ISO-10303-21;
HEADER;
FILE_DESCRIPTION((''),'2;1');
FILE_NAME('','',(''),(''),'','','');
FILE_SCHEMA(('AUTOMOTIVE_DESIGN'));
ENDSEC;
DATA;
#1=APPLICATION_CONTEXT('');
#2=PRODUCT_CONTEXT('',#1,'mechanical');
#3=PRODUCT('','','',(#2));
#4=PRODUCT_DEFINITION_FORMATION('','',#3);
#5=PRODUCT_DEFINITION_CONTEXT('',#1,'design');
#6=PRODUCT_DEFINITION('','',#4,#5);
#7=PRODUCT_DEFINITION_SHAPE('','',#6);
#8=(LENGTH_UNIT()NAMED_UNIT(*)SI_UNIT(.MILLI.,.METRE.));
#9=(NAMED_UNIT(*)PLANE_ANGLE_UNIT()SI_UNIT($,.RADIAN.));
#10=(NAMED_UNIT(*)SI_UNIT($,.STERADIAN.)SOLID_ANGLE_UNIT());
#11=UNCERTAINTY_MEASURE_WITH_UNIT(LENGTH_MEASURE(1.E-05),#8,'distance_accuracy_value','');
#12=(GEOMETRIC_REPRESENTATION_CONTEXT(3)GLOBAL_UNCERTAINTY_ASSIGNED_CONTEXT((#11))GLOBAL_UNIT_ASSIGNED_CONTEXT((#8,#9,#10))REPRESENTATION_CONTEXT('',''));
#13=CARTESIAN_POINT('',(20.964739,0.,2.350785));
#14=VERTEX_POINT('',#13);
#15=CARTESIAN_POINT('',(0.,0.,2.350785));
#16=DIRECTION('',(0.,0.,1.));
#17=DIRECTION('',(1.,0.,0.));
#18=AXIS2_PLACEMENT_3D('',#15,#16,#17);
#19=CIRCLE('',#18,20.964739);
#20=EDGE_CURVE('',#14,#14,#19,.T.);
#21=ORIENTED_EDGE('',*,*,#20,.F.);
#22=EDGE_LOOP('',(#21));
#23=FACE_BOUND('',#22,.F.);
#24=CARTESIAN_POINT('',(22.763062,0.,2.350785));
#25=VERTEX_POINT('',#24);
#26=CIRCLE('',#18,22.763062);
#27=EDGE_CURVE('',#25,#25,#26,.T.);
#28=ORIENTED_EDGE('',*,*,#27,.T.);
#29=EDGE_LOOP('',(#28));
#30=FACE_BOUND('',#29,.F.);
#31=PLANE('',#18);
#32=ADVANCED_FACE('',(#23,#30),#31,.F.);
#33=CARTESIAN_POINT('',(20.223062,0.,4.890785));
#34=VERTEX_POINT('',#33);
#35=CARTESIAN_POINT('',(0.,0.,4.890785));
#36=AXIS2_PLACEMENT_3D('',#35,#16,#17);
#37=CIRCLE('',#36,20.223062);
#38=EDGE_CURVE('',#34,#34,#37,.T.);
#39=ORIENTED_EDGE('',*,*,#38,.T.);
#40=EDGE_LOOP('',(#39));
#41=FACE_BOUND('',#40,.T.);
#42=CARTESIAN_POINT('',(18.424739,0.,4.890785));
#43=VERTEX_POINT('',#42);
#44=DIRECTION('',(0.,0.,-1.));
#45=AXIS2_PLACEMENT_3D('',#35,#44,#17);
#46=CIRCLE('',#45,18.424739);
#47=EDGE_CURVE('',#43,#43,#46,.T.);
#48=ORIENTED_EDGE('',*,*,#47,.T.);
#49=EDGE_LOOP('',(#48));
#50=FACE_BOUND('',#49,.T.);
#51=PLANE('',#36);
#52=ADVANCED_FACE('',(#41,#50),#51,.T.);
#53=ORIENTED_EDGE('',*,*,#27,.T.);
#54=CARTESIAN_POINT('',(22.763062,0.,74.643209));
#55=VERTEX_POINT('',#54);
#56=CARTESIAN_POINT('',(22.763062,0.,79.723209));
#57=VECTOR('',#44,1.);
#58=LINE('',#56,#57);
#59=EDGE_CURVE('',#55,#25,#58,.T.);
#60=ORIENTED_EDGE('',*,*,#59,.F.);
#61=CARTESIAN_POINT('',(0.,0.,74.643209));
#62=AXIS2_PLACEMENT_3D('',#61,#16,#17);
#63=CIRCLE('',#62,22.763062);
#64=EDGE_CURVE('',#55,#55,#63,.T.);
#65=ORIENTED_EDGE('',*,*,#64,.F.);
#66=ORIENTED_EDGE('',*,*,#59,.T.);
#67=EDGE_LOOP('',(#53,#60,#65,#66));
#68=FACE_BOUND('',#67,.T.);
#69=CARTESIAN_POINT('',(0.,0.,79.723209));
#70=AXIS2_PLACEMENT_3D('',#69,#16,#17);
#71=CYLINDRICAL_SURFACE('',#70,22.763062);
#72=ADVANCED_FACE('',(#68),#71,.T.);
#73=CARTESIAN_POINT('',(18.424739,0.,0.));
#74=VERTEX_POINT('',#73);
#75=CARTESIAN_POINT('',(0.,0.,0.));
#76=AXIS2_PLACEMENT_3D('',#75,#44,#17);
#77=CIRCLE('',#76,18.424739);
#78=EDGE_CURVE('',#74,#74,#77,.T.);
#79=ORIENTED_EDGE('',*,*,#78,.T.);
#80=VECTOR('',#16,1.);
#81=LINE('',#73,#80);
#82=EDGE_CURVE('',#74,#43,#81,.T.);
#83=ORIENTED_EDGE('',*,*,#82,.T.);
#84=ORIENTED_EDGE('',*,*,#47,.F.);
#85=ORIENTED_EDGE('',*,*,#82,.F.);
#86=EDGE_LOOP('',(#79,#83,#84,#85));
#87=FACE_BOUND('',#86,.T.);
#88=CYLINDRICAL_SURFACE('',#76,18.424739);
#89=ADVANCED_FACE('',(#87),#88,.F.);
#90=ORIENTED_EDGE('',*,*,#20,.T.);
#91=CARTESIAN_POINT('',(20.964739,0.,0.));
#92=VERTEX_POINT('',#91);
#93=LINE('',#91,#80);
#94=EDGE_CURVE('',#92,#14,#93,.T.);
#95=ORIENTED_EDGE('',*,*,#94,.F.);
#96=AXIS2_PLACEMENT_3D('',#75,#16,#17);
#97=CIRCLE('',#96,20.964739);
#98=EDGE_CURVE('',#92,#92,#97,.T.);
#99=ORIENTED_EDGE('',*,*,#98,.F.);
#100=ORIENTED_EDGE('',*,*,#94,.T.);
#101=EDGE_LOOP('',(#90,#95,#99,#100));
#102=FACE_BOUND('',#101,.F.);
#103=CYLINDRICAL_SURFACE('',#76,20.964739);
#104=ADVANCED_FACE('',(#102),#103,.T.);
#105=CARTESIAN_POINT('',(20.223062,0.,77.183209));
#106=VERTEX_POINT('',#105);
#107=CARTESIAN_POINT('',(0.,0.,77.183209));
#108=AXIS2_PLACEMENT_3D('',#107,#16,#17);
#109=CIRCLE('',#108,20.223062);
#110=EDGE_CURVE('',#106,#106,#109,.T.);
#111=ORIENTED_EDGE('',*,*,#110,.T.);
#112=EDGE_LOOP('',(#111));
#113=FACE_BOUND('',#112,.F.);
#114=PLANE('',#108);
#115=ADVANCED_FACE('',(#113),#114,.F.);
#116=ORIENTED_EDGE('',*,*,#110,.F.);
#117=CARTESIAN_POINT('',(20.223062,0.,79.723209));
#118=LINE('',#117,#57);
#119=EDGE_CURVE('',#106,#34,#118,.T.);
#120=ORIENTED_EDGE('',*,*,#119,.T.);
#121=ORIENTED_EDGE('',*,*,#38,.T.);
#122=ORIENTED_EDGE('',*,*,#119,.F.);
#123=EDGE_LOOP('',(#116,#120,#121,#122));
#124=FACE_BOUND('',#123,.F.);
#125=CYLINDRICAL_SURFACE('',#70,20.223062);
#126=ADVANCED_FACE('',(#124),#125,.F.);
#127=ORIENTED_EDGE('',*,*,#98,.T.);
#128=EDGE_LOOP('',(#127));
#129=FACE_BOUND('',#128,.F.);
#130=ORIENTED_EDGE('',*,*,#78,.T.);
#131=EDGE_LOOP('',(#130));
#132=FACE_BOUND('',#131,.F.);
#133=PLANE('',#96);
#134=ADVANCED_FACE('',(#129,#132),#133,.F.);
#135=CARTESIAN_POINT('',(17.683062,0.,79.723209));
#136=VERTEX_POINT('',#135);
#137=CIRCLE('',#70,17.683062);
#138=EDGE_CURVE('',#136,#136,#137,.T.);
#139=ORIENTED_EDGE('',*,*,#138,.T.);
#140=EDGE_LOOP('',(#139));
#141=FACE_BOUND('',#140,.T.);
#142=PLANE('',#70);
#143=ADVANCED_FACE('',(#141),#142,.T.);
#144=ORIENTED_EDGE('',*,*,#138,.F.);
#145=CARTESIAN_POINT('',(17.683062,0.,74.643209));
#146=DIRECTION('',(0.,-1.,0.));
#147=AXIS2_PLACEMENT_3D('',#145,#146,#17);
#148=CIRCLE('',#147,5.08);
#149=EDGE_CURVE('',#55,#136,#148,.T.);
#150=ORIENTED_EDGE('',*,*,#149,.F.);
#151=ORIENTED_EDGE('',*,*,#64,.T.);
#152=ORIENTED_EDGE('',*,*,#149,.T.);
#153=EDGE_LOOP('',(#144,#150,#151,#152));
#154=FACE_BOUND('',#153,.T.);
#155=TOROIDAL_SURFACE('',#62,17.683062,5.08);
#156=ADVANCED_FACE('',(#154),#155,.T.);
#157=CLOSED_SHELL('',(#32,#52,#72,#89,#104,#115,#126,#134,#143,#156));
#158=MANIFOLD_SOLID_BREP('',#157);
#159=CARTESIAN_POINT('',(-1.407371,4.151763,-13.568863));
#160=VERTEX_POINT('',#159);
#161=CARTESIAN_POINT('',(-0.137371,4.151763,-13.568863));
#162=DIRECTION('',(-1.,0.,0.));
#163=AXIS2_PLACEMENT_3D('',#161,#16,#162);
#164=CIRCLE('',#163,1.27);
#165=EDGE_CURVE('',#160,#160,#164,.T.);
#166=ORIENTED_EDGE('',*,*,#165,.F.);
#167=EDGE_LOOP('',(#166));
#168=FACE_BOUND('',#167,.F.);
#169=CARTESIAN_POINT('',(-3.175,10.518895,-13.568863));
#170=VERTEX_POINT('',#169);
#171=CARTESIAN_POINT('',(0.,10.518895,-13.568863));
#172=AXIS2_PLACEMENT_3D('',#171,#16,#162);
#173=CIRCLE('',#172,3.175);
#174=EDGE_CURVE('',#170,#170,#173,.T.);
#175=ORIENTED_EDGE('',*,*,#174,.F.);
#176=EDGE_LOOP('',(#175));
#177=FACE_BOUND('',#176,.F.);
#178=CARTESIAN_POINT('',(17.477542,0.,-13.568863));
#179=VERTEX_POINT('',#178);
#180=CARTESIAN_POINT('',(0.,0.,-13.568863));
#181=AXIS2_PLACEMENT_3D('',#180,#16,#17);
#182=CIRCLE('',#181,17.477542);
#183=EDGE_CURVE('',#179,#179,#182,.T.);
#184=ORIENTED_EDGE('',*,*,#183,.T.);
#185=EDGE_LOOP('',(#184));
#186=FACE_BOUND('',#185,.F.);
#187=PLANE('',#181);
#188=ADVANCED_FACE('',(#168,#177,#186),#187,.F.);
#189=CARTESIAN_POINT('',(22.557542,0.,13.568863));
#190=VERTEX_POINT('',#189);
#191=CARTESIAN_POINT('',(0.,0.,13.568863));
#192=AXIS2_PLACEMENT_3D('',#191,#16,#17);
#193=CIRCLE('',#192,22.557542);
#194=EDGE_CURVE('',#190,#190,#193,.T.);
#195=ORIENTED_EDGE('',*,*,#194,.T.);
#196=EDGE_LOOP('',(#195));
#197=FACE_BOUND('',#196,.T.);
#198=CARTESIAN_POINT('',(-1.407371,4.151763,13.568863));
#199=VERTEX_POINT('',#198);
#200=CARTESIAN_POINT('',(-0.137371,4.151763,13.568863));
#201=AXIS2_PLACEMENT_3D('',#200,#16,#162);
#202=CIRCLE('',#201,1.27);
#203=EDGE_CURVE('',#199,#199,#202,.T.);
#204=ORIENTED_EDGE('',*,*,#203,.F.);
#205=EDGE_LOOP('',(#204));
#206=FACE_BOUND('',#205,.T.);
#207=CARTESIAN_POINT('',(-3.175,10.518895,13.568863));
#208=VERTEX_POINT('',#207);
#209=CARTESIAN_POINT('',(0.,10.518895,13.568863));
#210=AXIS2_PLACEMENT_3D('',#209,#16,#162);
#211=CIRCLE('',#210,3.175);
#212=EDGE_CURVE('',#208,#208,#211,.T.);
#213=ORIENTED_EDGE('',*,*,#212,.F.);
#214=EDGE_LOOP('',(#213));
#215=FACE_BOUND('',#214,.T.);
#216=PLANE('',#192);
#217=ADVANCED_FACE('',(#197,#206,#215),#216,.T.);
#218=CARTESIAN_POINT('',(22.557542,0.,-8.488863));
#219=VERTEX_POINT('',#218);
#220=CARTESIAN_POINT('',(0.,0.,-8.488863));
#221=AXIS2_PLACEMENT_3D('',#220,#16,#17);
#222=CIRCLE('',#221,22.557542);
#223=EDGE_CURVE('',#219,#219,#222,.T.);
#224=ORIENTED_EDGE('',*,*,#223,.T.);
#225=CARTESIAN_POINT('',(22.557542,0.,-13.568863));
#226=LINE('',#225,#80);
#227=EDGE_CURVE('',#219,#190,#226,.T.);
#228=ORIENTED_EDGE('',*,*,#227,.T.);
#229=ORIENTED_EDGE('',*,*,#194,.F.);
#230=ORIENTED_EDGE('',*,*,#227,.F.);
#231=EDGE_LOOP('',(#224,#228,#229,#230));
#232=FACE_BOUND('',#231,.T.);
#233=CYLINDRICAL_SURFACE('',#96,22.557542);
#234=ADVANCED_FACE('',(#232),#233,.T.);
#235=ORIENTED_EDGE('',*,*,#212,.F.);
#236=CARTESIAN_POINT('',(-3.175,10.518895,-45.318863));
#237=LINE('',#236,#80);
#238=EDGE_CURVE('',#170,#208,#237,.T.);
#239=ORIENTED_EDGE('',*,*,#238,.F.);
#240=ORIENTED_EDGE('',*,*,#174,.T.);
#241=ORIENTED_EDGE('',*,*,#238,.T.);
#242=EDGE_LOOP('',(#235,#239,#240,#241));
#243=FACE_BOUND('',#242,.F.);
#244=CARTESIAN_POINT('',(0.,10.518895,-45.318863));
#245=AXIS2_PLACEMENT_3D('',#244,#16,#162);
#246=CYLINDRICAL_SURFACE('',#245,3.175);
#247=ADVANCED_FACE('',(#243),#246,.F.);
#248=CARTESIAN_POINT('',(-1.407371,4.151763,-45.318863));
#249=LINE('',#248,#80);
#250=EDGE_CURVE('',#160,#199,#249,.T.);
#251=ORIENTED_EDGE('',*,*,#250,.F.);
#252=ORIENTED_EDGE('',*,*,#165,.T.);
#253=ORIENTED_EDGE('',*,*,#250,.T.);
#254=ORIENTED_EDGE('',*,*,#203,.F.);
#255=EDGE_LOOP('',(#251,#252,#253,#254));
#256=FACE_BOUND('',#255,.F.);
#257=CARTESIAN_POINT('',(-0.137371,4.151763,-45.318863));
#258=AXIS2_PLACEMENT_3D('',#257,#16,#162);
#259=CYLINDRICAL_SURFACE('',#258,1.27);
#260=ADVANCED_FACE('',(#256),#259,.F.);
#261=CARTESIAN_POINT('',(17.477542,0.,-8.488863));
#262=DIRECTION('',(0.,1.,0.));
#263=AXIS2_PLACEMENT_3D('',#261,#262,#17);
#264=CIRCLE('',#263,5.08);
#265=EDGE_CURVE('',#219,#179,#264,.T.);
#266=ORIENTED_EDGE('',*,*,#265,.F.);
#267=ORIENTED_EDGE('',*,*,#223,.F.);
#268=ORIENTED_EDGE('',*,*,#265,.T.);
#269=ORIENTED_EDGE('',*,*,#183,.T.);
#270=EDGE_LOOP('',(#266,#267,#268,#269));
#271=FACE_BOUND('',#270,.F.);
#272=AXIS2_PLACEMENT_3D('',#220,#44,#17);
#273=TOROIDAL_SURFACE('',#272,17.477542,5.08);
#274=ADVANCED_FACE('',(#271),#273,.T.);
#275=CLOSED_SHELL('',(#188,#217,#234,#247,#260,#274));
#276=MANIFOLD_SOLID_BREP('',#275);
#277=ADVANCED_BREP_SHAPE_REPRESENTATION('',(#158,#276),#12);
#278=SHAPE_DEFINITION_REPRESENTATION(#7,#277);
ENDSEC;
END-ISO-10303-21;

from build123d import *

# Parameters (mm, degrees)
F0_R      = 20.9647391965
F1_DEPTH  = 79.7232091427
F2_R      = 22.7630616111
F2_R_2    = 20.9647391965
F3_DEPTH  = 77.3724243045
F4_T      = -2.54
F5_R      = 5.08
F6_R      = 22.5575417357
F7_DEPTH  = 13.5688632727
F9_D      = 6.35
F9_DEPTH  = 31.75
F9_TIP    = 1.9077324654
F10_R     = 5.08
F12_D     = 2.54
F12_DEPTH = 31.75
F12_TIP   = 0.7630929862


with BuildPart() as f1:
    # F0 (on Top) → F1 (new body)
    with BuildSketch(Plane.XY):
        Circle(F0_R)
    extrude(amount=F1_DEPTH)

    # F2 (on face) → F3 (join)
    with BuildSketch(Plane.XY.offset(79.7232091427)):
        Circle(F2_R)
        Circle(F2_R_2, mode=Mode.SUBTRACT)
    extrude(amount=-F3_DEPTH)

    # F4
    f4_openings = [f1.faces().sort_by_distance(p)[0] for p in [
        (0, 0, 0),
    ]]
    offset(amount=F4_T, openings=f4_openings, kind=Kind.INTERSECTION)

    # F5
    f5_edges = [f1.edges().sort_by_distance(p)[0] for p in [
        (-22.763062, 0, 79.723209),
    ]]
    fillet(f5_edges, radius=F5_R)


with BuildPart() as f7:
    # F6 (on Top) → F7 (new body, symmetric)
    with BuildSketch(Plane.XY):
        Circle(F6_R)
    extrude(amount=F7_DEPTH, both=True)

    # F9
    with Locations(Plane(origin=(0, 0, -13.5688632727), x_dir=(1, 0, 0), z_dir=(0, 0, -1))):
        with Locations((0, -10.5188945308)):
            Hole(F9_D / 2, depth=F9_DEPTH)
            with Locations((0, 0, -(F9_DEPTH + F9_TIP / 2))):  # 118° drill point
                Cone(0, F9_D / 2, F9_TIP, mode=Mode.SUBTRACT)

    # F10
    f10_edges = [f7.edges().sort_by_distance(p)[0] for p in [
        (-22.557542, 0, -13.568863),
    ]]
    fillet(f10_edges, radius=F10_R)

    # F12
    with Locations(Plane(origin=(0, 0, -13.5688632727), x_dir=(1, 0, 0), z_dir=(0, 0, -1))):
        with Locations((-0.1373706036, -4.1517633945)):
            Hole(F12_D / 2, depth=F12_DEPTH)
            with Locations((0, 0, -(F12_DEPTH + F12_TIP / 2))):  # 118° drill point
                Cone(0, F12_D / 2, F12_TIP, mode=Mode.SUBTRACT)


solid = Compound([f1.part, f7.part])
